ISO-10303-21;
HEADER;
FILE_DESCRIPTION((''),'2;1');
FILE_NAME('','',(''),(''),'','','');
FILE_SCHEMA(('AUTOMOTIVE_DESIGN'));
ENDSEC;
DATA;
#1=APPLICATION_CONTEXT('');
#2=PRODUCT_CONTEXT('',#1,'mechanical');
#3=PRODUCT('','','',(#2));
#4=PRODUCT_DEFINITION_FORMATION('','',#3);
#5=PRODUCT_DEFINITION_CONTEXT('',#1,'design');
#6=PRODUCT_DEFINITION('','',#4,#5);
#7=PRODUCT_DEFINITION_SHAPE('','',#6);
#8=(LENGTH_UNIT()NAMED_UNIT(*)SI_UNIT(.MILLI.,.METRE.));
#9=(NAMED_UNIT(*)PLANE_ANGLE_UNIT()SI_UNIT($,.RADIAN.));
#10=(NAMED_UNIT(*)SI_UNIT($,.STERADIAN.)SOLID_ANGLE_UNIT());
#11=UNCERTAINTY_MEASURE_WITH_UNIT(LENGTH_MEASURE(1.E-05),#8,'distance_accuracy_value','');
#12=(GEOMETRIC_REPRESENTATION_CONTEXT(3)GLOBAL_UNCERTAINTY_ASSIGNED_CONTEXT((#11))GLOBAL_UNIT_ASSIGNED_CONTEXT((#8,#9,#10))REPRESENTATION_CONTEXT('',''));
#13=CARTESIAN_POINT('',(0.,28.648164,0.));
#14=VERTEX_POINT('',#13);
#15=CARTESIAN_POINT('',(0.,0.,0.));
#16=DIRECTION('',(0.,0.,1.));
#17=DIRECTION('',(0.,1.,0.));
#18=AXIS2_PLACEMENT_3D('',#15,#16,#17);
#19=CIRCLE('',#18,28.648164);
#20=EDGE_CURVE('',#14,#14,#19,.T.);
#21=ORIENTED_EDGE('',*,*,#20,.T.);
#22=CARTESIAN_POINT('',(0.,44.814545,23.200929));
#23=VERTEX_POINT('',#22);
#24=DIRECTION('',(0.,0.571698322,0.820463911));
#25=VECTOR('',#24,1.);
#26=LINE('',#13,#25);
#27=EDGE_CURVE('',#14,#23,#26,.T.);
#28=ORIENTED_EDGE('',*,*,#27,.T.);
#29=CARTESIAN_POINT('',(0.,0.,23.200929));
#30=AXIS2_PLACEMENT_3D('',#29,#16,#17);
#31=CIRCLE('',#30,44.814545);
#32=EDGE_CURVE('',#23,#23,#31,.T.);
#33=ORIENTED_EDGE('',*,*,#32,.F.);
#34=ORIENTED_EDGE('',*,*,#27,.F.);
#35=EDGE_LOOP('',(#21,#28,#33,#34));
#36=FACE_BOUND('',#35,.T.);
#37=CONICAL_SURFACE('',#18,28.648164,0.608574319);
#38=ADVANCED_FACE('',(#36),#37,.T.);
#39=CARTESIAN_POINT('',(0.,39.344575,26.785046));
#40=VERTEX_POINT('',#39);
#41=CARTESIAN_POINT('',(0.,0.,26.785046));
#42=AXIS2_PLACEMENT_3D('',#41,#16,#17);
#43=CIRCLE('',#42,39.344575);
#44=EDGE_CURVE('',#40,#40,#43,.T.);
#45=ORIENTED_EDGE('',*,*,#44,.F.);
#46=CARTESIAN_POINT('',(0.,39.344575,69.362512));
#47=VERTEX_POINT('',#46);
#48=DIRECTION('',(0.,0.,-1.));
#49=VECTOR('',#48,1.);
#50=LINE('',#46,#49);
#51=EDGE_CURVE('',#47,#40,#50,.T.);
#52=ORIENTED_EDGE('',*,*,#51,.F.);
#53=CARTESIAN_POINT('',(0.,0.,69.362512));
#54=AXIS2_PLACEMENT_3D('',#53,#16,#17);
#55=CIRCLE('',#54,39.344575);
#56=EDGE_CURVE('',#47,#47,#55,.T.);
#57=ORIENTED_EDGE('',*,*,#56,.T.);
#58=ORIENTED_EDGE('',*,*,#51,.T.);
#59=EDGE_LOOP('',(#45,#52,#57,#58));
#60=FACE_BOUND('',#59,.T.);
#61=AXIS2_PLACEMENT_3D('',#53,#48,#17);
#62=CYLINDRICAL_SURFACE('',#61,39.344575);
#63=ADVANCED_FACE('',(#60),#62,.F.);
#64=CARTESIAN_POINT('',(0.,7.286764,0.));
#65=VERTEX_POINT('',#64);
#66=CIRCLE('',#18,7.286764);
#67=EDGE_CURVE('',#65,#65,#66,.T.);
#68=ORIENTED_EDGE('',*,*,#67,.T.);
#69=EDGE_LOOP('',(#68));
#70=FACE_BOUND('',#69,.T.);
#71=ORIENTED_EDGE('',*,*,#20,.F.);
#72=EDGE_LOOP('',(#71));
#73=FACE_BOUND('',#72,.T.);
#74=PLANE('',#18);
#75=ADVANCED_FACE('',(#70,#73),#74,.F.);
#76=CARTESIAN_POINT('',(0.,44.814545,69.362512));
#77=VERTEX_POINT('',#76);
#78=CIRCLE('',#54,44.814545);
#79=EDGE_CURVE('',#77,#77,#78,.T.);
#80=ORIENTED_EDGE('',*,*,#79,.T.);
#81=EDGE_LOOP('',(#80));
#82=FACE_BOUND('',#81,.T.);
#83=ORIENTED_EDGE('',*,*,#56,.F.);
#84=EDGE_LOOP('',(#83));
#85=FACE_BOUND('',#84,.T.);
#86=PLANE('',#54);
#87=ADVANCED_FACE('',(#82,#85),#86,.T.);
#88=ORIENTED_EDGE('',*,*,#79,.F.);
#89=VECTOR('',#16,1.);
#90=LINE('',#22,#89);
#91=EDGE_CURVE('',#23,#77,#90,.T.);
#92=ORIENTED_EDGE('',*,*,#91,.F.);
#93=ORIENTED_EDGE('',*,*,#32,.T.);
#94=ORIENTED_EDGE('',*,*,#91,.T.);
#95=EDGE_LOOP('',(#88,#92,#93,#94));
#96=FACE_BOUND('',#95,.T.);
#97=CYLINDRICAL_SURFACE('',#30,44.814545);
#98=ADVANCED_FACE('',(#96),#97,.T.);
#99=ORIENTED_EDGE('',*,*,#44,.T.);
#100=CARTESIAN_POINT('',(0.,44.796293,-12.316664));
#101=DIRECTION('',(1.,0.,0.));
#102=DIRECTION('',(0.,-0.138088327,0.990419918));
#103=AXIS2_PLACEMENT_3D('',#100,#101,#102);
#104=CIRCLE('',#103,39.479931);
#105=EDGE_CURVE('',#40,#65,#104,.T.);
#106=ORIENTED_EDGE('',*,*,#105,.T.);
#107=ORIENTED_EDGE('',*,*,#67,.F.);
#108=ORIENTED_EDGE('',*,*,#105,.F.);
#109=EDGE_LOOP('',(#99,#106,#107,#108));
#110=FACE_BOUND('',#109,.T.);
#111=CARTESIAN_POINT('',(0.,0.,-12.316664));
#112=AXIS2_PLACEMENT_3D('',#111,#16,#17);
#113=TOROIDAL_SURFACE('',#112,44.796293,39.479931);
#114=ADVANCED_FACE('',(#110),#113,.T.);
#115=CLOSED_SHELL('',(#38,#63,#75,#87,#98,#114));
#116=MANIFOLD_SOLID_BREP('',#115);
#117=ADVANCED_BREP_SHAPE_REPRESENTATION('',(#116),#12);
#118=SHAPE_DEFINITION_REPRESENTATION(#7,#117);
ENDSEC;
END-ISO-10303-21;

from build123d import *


with BuildPart() as f1:
    # F0 (on Right) → F1 (revolve)
    with BuildSketch(Plane.YZ):
        with BuildLine():
            Line((39.344575, 69.362512), (39.344575, 26.785046))
            ThreePointArc((39.344575, 26.785046), (19.482722, 17.980004), (7.286764, 0))
            Line((7.286764, 0), (28.648164, 0))
            Line((28.648164, 0), (44.814545, 23.200929))
            Line((44.814545, 23.200929), (44.814545, 69.362512))
            Line((44.814545, 69.362512), (39.344575, 69.362512))
        make_face()
    revolve(axis=Axis((0, 0, 35.740901), (0, 0, 1)))


solid = f1.part
